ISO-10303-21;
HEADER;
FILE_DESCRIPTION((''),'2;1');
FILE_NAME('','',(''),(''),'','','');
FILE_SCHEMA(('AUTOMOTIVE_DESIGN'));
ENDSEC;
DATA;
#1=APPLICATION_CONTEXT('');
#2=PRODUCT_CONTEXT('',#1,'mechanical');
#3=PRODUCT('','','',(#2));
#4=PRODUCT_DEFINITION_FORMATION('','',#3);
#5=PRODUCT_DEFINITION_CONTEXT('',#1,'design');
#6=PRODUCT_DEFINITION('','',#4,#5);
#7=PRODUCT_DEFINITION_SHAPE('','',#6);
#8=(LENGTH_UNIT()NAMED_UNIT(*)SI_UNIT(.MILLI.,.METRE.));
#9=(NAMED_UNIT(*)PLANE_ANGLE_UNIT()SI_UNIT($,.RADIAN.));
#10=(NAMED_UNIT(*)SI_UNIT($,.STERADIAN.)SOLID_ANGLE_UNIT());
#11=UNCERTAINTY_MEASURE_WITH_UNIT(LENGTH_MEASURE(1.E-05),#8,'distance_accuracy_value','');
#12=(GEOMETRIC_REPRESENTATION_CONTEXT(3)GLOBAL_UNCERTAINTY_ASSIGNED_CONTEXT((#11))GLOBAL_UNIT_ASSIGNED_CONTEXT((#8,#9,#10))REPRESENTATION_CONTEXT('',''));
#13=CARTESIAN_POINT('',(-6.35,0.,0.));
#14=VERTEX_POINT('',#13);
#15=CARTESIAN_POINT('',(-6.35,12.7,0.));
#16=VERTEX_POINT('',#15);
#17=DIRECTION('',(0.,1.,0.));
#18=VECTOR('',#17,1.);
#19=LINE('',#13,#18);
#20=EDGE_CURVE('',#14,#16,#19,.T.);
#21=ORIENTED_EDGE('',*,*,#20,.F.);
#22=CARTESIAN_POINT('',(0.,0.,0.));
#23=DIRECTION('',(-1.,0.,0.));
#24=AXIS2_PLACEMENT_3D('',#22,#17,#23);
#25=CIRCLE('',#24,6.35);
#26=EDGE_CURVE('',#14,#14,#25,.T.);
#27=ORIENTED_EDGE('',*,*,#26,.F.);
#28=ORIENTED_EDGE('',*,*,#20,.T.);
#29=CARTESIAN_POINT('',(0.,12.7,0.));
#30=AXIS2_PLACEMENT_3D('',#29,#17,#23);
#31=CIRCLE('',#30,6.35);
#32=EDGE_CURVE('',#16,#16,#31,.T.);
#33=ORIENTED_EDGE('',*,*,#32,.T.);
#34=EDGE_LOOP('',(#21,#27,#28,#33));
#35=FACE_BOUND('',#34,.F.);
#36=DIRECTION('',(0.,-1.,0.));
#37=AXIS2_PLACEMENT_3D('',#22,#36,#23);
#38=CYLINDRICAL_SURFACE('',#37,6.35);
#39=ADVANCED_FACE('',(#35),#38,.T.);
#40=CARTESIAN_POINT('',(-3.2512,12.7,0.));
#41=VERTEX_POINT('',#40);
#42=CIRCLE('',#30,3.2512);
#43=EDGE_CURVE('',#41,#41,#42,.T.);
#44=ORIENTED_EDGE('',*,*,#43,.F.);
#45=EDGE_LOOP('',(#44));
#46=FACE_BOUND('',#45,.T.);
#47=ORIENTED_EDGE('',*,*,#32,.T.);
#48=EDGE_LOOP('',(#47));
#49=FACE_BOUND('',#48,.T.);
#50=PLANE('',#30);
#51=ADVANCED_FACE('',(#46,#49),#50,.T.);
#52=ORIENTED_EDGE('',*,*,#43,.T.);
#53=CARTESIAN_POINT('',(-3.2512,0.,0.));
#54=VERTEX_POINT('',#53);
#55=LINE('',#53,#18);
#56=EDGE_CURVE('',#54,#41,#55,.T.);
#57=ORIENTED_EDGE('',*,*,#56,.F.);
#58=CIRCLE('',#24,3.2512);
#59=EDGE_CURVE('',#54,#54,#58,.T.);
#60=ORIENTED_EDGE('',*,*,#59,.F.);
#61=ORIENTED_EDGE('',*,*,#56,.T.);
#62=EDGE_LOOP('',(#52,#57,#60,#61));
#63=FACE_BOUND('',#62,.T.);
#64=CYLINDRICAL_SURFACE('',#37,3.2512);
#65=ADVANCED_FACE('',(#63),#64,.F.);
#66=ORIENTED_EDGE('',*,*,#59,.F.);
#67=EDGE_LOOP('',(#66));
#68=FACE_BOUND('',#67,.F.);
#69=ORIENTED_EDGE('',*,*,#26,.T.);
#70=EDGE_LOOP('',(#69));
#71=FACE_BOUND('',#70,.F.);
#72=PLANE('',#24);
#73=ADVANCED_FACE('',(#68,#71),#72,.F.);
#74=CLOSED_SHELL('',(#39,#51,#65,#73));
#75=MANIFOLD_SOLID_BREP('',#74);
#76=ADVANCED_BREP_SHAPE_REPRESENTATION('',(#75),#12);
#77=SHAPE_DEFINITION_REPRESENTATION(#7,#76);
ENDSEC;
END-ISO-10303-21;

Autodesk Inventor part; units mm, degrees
ref_plane "YZ Plane" through (0, 0, 0) normal (1, 0, 0) x (0, 1, 0)
ref_plane "XZ Plane" through (0, 0, 0) normal (0, 1, 0) x (-1, 0, 0)
ref_plane "XY Plane" through (0, 0, 0) normal (0, 0, 1) x (1, 0, 0)
sketch "Sketch1" plane through (0, 0, 0) normal (0, 1, 0) x (-1, 0, 0)
  circle A0 centre (0, 0) radius 3.2512
  circle A1 centre (0, 0) radius 6.35
  dimension "d0" = 6.5024
  dimension "d1" = 12.7
extrude "Extrusion1" add sketch "Sketch1" along normal blind 12.7
properties part number "DVBS_010_BellypanStandoff" material "Aluminum 6061"
